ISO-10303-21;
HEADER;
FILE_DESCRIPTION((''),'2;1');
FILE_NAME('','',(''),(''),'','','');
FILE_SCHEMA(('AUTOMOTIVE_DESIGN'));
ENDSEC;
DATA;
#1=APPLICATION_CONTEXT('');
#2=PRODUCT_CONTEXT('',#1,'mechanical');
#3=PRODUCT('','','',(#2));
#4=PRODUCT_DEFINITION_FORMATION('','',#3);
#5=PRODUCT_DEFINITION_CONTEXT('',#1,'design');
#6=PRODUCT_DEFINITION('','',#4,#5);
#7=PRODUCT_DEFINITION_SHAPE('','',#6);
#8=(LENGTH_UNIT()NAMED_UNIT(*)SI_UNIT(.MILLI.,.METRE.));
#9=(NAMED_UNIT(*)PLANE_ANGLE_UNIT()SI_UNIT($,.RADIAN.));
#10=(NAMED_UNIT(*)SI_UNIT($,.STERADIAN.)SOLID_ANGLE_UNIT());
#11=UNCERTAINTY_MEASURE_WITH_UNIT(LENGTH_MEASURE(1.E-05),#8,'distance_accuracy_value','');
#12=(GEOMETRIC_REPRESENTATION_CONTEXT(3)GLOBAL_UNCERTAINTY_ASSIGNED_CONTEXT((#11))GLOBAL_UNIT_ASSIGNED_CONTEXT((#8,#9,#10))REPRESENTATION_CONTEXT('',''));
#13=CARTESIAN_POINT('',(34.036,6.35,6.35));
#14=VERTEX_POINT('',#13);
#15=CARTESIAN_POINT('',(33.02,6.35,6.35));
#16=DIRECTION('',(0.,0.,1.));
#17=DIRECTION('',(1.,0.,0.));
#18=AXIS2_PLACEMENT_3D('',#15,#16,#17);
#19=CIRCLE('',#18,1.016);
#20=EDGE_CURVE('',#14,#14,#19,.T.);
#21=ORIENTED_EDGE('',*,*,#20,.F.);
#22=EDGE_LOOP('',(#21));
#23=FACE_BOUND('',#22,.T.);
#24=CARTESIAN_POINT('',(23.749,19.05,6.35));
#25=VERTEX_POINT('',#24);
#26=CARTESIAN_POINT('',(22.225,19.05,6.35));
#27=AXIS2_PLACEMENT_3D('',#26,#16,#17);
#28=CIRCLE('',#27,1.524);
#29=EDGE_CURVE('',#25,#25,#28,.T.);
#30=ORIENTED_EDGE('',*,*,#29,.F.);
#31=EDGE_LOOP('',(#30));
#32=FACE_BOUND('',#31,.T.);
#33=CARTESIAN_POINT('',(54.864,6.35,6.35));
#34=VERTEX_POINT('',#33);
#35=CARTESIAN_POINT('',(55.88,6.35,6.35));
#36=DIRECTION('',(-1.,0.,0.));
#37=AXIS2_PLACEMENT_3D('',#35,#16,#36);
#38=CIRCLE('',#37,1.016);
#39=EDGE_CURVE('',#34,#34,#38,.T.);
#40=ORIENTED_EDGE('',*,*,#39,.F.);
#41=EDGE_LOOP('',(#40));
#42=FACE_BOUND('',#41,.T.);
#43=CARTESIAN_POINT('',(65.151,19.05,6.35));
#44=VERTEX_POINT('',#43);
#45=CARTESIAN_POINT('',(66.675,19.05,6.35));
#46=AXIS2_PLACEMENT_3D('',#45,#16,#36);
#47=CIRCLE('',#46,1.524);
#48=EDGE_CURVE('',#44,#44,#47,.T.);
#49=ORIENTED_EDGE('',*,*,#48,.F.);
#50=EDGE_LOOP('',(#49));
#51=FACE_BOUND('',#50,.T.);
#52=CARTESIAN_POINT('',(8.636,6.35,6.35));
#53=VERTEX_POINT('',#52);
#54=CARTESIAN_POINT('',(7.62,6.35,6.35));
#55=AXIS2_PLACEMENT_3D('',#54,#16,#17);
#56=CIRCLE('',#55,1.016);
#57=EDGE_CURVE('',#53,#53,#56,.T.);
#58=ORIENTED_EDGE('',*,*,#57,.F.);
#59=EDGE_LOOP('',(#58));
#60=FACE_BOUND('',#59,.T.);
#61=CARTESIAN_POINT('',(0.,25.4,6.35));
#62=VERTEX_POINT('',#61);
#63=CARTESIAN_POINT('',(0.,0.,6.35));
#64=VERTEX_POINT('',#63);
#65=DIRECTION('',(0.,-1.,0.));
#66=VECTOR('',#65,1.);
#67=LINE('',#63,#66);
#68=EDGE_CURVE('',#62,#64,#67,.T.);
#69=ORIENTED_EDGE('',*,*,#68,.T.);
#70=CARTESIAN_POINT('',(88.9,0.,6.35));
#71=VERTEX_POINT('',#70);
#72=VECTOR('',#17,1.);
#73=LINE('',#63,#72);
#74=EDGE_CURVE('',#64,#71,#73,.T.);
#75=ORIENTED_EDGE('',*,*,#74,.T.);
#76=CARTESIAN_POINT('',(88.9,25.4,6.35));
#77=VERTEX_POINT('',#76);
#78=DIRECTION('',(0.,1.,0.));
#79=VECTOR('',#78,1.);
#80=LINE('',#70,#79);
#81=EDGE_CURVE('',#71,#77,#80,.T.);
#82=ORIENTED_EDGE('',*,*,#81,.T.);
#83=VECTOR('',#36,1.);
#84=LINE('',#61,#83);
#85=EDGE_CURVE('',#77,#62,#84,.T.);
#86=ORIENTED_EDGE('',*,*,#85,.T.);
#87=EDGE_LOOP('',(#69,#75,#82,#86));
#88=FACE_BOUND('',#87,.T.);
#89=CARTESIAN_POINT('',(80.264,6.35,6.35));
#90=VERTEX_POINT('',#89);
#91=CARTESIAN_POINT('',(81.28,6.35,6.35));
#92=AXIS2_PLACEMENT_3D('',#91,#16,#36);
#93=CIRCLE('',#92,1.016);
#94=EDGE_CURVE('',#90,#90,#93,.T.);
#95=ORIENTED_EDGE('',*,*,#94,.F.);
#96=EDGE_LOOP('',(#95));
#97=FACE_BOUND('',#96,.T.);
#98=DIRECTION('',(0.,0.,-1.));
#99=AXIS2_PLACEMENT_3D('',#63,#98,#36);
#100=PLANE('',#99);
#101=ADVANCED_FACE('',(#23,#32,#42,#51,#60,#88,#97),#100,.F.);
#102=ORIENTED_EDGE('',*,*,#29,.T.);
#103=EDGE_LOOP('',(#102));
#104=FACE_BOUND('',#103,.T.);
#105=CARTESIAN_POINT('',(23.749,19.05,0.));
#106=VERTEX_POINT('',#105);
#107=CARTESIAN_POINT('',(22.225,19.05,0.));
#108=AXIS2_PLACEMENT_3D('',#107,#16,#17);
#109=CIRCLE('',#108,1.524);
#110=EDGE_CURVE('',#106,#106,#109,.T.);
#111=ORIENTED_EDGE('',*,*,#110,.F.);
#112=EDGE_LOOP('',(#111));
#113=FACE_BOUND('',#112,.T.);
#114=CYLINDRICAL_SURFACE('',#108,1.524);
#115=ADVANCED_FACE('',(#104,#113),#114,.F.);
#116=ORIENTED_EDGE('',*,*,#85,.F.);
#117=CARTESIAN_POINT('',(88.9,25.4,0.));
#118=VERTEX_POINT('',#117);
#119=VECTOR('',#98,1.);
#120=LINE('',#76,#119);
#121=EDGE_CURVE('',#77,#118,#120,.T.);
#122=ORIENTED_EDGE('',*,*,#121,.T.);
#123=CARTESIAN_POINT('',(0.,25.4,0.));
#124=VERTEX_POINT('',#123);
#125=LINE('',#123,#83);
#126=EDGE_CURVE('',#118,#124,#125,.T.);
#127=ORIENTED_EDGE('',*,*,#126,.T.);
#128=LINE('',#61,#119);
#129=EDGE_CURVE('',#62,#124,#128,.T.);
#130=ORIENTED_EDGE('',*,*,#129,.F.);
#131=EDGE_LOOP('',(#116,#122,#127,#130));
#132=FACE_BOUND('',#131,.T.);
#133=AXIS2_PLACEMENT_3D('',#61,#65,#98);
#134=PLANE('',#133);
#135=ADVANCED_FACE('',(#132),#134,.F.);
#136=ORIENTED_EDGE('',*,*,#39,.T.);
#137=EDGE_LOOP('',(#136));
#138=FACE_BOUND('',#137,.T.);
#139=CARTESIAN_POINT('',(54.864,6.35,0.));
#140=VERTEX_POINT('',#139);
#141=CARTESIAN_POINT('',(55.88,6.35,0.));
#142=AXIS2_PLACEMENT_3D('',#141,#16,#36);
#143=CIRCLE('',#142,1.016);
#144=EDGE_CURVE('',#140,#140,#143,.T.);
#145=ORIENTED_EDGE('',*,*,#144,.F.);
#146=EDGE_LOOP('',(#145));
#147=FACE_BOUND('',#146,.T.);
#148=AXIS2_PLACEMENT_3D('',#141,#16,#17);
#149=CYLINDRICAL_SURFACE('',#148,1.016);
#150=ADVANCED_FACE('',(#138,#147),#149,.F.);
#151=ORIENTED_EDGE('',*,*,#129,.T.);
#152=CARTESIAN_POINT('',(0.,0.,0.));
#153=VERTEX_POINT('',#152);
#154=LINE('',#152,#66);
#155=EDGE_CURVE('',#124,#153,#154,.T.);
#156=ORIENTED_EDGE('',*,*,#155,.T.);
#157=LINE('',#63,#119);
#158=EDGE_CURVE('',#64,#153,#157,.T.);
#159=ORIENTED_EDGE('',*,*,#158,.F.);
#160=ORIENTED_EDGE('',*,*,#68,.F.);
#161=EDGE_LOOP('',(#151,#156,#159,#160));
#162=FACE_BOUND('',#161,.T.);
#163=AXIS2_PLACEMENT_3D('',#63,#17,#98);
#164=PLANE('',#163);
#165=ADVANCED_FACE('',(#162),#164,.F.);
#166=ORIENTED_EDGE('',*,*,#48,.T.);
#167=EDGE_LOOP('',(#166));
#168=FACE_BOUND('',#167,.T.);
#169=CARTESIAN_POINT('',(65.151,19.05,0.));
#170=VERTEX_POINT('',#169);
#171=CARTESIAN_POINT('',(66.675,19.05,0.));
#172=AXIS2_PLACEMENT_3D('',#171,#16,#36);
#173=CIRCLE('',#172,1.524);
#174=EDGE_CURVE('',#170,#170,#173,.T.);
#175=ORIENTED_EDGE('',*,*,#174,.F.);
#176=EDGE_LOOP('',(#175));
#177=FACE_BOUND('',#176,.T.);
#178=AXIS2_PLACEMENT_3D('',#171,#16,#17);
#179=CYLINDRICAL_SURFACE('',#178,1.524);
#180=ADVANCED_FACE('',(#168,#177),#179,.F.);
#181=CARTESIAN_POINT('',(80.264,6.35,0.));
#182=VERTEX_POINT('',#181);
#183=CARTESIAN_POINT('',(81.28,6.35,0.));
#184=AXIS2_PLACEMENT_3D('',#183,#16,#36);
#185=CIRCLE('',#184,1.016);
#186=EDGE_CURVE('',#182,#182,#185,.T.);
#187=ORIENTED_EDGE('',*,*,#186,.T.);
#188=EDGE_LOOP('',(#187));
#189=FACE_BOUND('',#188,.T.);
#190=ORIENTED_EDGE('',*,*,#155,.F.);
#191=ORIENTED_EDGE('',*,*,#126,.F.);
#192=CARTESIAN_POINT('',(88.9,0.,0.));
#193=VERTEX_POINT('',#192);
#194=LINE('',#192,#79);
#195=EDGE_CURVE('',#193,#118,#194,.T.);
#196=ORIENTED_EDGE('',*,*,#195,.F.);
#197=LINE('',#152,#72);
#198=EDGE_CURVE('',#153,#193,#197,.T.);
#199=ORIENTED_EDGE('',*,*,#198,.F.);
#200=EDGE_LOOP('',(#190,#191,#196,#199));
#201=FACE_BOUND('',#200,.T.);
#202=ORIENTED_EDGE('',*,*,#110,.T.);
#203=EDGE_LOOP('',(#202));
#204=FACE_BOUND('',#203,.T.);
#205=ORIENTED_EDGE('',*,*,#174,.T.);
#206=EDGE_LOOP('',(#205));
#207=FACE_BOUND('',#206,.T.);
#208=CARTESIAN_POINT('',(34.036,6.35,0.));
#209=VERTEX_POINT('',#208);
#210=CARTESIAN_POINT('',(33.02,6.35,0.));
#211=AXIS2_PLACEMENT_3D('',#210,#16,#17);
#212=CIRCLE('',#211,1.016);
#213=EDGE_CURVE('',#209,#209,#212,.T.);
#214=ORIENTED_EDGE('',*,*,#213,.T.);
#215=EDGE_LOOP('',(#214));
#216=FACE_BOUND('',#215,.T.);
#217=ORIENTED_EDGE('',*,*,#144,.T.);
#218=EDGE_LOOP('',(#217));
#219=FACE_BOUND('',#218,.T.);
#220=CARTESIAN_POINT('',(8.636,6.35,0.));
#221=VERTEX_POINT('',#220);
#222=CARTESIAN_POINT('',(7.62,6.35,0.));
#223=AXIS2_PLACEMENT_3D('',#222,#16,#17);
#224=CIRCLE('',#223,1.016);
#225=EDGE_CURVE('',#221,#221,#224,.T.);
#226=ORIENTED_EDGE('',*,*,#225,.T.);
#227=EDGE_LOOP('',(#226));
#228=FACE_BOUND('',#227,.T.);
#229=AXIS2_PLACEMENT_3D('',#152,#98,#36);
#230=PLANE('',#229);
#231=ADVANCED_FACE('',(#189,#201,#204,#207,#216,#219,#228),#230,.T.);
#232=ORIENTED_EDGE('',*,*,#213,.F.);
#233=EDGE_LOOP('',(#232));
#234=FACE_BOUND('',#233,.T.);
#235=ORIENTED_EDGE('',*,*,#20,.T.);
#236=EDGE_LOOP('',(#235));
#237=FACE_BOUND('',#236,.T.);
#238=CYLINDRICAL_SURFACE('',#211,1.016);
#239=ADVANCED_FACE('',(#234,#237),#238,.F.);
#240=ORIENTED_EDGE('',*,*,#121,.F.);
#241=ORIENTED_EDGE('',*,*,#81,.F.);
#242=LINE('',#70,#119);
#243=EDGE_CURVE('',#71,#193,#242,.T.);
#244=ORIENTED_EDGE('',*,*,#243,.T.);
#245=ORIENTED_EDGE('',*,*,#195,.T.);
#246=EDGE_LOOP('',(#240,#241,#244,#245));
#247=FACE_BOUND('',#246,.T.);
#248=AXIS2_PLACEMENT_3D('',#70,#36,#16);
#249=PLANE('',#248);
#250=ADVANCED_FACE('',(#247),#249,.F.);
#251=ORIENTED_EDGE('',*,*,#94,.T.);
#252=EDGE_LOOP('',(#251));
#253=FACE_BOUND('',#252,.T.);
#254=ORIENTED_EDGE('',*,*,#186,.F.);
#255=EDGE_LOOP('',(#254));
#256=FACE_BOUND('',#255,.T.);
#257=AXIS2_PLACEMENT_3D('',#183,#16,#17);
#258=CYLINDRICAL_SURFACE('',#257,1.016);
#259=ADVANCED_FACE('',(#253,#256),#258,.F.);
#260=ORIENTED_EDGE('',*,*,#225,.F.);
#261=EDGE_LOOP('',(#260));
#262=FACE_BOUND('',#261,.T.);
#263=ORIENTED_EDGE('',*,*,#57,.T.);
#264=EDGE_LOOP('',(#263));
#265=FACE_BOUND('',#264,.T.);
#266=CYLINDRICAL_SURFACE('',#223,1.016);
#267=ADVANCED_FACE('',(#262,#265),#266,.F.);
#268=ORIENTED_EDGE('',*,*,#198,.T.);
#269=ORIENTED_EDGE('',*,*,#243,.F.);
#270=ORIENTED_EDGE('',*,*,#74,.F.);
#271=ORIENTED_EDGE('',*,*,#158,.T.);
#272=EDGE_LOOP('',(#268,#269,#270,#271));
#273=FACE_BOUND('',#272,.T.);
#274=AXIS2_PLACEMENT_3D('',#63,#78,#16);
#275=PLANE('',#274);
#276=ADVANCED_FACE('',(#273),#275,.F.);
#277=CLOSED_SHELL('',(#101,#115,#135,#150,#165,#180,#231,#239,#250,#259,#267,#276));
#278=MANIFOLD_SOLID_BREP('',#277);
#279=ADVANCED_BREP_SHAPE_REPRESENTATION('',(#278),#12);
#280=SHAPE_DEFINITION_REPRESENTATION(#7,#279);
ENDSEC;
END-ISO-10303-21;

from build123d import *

# Parameters (mm, degrees)
SKETCH1_W           = 88.9
SKETCH1_H           = 25.4
BOSS_EXTRUDE1_DEPTH = 6.35
SKETCH2_R           = 1.016
CUT_EXTRUDE1_DEPTH  = 7.35
SKETCH3_R           = 1.524
CUT_EXTRUDE2_DEPTH  = 7.35


with BuildPart() as part:
    # Sketch1 → Boss-Extrude1 (new body)
    with BuildSketch(Plane.XY):
        with Locations((44.45, 12.7)):
            Rectangle(SKETCH1_W, SKETCH1_H)
    extrude(amount=BOSS_EXTRUDE1_DEPTH)

    # Sketch2 → Cut-Extrude1 (cut, through all)
    with BuildSketch(Plane.XY.offset(6.35)):
        with Locations((7.62, 6.35)):
            Circle(SKETCH2_R)
        with Locations((33.02, 6.35)):
            Circle(SKETCH2_R)
        with Locations((55.88, 6.35)):
            Circle(SKETCH2_R)
        with Locations((81.28, 6.35)):
            Circle(SKETCH2_R)
    extrude(amount=-CUT_EXTRUDE1_DEPTH, mode=Mode.SUBTRACT)

    # Sketch3 → Cut-Extrude2 (cut, through all)
    with BuildSketch(Plane.XY.offset(6.35)):
        with Locations((22.225, 19.05)):
            Circle(SKETCH3_R)
        with Locations((66.675, 19.05)):
            Circle(SKETCH3_R)
    extrude(amount=-CUT_EXTRUDE2_DEPTH, mode=Mode.SUBTRACT)


solid = part.part
